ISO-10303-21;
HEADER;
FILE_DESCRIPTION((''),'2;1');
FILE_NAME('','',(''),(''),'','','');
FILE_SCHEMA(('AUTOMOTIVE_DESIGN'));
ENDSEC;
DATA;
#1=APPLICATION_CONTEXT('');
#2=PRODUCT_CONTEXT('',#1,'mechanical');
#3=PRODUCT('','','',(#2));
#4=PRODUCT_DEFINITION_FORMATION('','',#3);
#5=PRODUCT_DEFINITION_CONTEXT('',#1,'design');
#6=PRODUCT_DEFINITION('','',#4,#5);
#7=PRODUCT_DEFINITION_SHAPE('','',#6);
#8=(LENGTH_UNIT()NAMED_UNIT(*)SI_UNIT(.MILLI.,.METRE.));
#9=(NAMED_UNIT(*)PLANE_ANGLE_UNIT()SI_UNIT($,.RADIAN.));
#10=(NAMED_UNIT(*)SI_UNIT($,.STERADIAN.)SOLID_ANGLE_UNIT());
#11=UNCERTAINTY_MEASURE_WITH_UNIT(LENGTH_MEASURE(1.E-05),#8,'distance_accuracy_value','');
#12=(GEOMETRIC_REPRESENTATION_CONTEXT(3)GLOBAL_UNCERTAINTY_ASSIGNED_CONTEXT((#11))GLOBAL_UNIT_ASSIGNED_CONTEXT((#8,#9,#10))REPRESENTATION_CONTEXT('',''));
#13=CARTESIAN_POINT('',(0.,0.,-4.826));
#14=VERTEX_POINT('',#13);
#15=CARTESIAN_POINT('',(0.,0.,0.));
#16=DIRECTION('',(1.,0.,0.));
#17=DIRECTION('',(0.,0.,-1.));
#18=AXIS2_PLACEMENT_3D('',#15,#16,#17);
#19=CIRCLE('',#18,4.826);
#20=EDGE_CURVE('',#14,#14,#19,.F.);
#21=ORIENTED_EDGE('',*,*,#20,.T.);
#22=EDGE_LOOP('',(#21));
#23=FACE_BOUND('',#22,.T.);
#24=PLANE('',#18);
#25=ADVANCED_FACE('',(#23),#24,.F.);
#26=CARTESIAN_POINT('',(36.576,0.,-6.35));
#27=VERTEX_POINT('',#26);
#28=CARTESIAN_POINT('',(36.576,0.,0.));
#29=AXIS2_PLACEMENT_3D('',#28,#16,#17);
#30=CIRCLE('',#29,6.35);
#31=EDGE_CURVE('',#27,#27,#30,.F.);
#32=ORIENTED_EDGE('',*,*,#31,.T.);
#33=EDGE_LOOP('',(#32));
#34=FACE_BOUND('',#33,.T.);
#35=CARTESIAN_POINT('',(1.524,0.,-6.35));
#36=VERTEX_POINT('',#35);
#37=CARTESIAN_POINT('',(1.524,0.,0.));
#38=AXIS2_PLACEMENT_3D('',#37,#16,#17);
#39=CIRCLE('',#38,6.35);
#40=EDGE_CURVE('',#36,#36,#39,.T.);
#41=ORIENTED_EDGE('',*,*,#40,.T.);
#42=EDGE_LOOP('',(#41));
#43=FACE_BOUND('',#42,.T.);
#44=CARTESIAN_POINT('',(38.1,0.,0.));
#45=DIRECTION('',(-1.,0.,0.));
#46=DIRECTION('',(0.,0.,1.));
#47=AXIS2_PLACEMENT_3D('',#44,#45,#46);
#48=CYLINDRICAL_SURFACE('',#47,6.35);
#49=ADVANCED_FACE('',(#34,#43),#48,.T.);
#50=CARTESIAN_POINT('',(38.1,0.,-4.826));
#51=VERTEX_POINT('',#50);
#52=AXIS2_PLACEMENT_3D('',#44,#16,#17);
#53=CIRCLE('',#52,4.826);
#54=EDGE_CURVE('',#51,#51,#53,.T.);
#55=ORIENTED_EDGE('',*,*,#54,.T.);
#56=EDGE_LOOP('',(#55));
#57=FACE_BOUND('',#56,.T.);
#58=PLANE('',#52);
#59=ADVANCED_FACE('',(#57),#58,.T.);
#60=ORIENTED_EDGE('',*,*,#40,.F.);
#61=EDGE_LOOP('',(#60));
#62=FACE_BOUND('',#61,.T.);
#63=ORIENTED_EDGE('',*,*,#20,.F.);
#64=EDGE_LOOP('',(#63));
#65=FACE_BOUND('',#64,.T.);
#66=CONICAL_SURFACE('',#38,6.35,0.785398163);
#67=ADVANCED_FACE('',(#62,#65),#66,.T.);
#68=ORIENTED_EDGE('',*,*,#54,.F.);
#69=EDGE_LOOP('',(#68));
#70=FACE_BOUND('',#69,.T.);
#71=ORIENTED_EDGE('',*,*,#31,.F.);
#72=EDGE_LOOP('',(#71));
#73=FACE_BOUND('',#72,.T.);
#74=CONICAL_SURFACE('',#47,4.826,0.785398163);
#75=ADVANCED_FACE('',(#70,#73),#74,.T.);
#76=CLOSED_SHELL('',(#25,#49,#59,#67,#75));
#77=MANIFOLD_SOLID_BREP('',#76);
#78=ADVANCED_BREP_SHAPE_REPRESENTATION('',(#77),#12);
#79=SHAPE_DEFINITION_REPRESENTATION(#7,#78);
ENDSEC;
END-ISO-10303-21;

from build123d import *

# Parameters (mm, degrees)
SKETCH2_R           = 6.35
BOSS_EXTRUDE1_DEPTH = 38.1
CHAMFER1_SIZE       = 1.524
CHAMFER2_SIZE       = 1.524


with BuildPart() as part:
    # Sketch2 → Boss-Extrude1 (new body)
    with BuildSketch(Plane(origin=(0, 0, 0), x_dir=(0, 0, -1), z_dir=(1, 0, 0))):
        Circle(SKETCH2_R)
    extrude(amount=BOSS_EXTRUDE1_DEPTH)

    # Chamfer1
    chamfer1_edges = [part.edges().sort_by_distance(p)[0] for p in [
        (38.1, 0, 6.35),
    ]]
    chamfer(chamfer1_edges, length=CHAMFER1_SIZE)

    # Chamfer2
    chamfer2_edges = [part.edges().sort_by_distance(p)[0] for p in [
        (0, 0, 6.35),
    ]]
    chamfer(chamfer2_edges, length=CHAMFER2_SIZE)


solid = part.part
